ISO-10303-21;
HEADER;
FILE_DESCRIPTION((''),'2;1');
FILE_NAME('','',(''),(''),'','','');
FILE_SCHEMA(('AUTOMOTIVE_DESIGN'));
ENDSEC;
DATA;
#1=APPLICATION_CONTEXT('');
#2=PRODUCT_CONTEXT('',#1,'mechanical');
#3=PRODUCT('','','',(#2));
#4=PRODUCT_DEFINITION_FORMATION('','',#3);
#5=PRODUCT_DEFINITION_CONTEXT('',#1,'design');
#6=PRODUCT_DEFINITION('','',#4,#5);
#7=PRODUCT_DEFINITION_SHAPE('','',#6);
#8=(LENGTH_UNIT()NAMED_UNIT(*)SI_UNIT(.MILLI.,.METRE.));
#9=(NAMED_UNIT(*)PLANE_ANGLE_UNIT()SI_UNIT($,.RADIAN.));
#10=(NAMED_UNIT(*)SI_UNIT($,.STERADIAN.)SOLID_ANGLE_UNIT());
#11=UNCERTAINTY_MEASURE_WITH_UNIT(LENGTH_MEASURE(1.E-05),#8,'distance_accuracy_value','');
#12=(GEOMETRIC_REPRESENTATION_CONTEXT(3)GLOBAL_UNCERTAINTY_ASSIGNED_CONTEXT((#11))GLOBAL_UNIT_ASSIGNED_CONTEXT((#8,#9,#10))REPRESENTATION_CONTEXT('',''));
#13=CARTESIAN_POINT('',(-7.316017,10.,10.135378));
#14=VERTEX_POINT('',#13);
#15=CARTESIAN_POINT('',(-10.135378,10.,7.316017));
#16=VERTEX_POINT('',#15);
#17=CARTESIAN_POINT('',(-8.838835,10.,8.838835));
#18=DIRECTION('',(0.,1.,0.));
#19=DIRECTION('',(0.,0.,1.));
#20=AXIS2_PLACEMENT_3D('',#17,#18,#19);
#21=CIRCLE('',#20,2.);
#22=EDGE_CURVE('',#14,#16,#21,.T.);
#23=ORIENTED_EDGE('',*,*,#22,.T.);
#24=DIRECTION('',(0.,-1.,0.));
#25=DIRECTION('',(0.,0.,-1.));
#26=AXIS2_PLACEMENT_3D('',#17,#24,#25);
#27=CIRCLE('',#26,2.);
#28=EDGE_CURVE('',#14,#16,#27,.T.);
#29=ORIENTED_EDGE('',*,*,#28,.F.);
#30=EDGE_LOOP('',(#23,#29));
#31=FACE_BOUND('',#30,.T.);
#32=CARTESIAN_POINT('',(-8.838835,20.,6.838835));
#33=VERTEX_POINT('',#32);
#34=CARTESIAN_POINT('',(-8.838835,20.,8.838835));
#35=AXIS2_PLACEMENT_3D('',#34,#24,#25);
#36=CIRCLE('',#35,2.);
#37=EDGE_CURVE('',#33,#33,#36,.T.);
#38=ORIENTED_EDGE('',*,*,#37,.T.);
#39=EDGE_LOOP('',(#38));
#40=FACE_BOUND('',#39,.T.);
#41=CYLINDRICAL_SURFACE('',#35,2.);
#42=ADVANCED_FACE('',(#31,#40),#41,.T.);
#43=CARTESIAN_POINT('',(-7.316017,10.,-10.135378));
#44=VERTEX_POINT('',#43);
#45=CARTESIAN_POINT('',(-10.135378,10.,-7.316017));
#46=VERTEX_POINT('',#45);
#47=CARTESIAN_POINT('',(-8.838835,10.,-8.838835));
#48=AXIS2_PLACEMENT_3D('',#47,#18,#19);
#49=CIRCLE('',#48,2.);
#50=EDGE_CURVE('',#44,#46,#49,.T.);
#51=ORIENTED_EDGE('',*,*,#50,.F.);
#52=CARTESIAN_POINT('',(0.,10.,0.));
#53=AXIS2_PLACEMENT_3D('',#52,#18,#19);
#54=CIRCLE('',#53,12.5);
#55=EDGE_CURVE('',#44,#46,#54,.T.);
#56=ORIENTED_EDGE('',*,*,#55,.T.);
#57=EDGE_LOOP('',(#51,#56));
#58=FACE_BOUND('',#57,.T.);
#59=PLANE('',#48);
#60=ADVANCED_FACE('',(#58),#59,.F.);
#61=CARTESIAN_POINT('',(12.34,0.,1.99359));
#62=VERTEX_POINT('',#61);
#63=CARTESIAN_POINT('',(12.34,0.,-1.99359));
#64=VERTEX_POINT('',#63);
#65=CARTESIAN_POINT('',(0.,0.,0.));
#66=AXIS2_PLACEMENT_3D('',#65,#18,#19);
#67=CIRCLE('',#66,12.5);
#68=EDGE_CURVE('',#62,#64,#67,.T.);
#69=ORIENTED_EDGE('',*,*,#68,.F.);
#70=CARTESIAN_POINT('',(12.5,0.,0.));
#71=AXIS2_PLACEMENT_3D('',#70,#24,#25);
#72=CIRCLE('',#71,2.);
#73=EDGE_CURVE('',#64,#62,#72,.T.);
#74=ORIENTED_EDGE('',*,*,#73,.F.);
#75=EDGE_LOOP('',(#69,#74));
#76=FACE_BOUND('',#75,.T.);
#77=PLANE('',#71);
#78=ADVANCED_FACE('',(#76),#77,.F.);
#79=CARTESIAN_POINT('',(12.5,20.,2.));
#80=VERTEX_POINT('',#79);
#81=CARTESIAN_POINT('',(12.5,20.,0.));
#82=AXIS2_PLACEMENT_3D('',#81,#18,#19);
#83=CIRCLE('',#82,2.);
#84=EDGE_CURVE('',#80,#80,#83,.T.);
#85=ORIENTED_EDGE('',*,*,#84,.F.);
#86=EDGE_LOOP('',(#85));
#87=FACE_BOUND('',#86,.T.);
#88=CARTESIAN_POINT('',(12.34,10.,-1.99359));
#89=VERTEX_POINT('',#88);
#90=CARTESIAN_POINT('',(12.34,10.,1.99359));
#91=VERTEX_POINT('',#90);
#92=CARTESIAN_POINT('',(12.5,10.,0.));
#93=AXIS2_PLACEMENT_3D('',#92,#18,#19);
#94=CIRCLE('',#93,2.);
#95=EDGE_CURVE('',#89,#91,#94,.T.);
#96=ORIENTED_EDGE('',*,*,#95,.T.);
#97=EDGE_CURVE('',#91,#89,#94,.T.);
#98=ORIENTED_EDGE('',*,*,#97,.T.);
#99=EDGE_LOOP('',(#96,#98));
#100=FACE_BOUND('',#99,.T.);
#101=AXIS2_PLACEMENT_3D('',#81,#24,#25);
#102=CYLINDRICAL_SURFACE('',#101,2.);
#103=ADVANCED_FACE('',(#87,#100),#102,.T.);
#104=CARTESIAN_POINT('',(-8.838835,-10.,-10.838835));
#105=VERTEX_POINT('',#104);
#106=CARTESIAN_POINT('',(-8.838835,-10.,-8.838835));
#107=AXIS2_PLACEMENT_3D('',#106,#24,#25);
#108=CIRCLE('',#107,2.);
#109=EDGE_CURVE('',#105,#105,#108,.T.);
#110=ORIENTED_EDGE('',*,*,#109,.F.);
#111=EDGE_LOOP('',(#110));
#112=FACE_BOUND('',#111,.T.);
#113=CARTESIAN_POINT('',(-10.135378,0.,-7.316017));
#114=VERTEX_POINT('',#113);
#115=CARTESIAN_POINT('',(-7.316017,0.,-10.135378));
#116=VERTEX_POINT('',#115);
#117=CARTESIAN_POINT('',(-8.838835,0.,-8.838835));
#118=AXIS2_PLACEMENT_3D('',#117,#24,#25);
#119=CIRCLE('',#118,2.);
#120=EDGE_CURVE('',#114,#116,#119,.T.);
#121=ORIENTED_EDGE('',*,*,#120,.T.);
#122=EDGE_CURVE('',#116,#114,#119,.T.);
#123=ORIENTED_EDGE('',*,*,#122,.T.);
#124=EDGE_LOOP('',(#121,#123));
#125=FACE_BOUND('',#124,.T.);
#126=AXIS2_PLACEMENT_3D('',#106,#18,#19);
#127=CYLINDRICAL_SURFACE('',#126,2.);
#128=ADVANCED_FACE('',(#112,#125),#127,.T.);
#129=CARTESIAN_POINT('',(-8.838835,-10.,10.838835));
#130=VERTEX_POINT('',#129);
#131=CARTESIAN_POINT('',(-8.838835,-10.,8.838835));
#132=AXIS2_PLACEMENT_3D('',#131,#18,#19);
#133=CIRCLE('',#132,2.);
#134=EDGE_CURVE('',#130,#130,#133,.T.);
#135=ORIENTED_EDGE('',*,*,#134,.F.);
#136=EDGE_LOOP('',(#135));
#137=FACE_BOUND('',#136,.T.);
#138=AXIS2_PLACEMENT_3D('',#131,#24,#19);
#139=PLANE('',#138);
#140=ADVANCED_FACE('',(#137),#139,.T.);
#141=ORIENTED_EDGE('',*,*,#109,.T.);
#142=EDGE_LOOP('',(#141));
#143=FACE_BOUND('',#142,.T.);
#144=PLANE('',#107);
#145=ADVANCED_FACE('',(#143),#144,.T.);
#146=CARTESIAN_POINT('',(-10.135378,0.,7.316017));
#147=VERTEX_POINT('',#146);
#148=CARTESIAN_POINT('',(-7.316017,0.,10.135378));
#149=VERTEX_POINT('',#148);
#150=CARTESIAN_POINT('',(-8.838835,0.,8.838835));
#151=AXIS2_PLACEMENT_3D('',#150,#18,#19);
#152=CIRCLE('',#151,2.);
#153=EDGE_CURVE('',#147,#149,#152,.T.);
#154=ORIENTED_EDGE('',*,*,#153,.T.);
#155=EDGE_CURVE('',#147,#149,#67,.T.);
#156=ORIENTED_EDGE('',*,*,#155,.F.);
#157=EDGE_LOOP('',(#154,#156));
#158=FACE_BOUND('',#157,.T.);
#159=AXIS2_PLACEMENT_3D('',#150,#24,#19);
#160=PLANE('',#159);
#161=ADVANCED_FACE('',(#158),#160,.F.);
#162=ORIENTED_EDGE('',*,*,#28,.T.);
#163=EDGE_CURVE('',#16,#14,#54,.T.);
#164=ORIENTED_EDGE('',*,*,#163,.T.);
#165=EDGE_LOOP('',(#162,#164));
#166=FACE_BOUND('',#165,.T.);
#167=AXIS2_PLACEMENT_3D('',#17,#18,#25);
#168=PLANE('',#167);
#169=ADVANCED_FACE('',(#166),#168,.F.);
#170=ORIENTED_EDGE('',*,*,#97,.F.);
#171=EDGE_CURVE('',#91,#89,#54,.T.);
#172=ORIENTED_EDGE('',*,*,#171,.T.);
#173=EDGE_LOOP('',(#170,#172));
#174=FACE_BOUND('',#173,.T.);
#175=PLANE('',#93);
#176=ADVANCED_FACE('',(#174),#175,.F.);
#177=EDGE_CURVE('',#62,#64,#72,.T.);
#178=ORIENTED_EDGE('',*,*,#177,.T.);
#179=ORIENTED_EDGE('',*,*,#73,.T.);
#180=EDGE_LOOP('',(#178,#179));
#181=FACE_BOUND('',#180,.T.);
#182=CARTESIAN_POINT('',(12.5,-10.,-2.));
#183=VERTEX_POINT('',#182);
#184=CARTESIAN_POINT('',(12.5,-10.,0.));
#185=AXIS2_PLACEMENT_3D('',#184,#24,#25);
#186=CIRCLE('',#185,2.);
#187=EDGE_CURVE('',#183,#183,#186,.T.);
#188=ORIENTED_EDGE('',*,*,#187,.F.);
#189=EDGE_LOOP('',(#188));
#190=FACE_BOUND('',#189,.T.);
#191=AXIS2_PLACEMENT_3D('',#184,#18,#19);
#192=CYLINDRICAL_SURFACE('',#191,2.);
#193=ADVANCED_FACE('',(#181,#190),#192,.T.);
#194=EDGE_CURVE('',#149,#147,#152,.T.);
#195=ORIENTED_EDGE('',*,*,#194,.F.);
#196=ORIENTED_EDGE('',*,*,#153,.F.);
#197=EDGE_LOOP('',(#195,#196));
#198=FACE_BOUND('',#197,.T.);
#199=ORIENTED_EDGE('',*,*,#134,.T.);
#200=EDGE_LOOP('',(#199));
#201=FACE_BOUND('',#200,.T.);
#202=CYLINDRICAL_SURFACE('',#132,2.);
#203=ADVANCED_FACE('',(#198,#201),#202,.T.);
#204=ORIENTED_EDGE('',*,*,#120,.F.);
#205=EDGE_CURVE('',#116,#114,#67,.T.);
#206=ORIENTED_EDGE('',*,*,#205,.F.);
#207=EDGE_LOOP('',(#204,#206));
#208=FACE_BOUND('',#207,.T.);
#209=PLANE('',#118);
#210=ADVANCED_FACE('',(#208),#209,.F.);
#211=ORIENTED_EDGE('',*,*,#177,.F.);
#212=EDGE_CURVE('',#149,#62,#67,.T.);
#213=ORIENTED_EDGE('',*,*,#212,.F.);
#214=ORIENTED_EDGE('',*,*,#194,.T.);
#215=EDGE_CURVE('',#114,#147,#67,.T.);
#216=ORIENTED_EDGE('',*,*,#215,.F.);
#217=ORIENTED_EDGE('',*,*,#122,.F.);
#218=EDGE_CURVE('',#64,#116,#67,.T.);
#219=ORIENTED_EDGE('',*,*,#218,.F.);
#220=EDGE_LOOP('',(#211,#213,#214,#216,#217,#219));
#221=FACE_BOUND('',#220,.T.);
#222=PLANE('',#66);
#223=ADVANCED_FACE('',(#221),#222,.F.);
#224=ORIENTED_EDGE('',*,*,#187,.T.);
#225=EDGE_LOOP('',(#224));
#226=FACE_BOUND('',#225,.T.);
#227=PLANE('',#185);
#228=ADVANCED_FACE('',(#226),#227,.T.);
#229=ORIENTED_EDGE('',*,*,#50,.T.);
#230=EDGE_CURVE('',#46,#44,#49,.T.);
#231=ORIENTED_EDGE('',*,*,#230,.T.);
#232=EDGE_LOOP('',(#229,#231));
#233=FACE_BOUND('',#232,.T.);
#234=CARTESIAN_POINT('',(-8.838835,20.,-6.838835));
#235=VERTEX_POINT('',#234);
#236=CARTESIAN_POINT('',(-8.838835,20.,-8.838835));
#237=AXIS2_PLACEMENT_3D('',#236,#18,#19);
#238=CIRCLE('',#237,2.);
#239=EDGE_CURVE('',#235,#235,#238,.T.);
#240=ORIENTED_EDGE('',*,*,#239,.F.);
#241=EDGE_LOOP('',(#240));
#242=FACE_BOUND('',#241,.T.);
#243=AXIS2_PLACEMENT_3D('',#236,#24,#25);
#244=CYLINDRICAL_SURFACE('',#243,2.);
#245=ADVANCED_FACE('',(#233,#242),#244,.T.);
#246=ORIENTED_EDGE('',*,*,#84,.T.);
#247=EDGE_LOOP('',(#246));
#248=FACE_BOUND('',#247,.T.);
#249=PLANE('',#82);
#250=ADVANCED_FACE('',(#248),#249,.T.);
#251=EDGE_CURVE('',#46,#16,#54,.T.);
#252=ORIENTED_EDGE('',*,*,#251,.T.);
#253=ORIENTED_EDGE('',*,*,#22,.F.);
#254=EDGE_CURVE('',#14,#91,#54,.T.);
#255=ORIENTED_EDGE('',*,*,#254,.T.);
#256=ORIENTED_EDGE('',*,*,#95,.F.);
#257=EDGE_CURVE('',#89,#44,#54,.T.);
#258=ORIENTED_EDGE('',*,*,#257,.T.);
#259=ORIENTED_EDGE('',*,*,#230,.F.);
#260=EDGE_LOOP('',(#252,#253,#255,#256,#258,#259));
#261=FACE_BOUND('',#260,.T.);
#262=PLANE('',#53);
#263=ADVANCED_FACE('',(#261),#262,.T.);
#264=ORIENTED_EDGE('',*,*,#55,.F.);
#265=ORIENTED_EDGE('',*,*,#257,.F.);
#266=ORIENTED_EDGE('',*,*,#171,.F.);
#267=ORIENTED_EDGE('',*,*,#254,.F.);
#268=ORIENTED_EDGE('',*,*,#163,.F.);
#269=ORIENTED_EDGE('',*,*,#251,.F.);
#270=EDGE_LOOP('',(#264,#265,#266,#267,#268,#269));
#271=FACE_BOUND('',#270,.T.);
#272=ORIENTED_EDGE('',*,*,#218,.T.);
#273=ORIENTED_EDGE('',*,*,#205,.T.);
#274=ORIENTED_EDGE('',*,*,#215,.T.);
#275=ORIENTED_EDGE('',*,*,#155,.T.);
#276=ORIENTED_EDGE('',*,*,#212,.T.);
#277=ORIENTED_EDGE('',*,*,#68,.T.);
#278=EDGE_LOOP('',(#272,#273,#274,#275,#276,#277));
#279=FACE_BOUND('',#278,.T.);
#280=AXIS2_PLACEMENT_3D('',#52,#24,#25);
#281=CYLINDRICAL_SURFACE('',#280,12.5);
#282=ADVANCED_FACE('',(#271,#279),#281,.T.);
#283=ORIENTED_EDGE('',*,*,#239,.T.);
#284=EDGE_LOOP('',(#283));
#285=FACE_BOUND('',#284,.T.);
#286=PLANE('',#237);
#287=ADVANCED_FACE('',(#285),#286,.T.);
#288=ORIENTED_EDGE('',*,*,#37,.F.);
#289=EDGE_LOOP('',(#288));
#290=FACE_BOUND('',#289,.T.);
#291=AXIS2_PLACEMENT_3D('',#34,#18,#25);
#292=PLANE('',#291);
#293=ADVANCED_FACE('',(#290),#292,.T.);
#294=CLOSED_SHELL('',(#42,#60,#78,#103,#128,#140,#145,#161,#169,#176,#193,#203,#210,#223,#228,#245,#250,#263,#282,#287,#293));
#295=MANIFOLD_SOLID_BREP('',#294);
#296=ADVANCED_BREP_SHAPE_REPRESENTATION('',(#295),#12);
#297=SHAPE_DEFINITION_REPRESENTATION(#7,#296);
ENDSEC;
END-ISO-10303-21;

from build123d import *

# Parameters (mm, degrees)
SKETCH7_R           = 12.5
BOSS_EXTRUDE2_DEPTH = 10
SKETCH8_R           = 2
BOSS_EXTRUDE3_DEPTH = 10
SKETCH9_R           = 2
BOSS_EXTRUDE4_DEPTH = 10
BOSS_EXTRUDE5_START = 10
SKETCH12_R          = 2
BOSS_EXTRUDE5_DEPTH = 10
BOSS_EXTRUDE6_START = 10
SKETCH13_R          = 2
BOSS_EXTRUDE6_DEPTH = 10


with BuildPart() as part:
    # Sketch7 → Boss-Extrude2 (new body)
    with BuildSketch(Plane(origin=(0, 0, 0), x_dir=(1, 0, 0), z_dir=(0, 1, 0))):
        with Locations(Location((0, 0, 0), (0, 0, 270))):
            Circle(SKETCH7_R)
    extrude(amount=BOSS_EXTRUDE2_DEPTH)

    # Sketch8 → Boss-Extrude3 (add)
    with BuildSketch(Plane(origin=(0, 10, 0), x_dir=(1, 0, 0), z_dir=(0, 1, 0))):
        with Locations(Location((-8.838834765, 8.838834765, 0), (0, 0, 40.411434264))):
            Circle(SKETCH8_R)
    boss_extrude3 = extrude(amount=BOSS_EXTRUDE3_DEPTH)

    # Mirror1: Boss-Extrude3 across plane
    add(boss_extrude3.mirror(Plane.XY))

    # Sketch9 → Boss-Extrude4 (add)
    with BuildSketch(Plane(origin=(0, 10, 0), x_dir=(1, 0, 0), z_dir=(0, 1, 0))):
        with Locations(Location((12.5, 0, 0), (0, 0, 94.588565736))):
            Circle(SKETCH9_R)
    extrude(amount=BOSS_EXTRUDE4_DEPTH)

    # Sketch12 → Boss-Extrude5 (add)
    with BuildSketch(Plane.XZ.offset(BOSS_EXTRUDE5_START)):
        with Locations(Location((-8.838834765, -8.838834765, 0), (0, 0, 319.588565736))):
            Circle(SKETCH12_R)
    boss_extrude5 = extrude(amount=-BOSS_EXTRUDE5_DEPTH)

    # Mirror3: Boss-Extrude5 across plane
    add(boss_extrude5.mirror(Plane.XY))

    # Sketch13 → Boss-Extrude6 (add)
    with BuildSketch(Plane(origin=(0, 0, 0), x_dir=(-1, 0, 0), z_dir=(0, -1, 0)).offset(BOSS_EXTRUDE6_START)):
        with Locations(Location((-12.5, 0, 0), (0, 0, 85.411434264))):
            Circle(SKETCH13_R)
    extrude(amount=-BOSS_EXTRUDE6_DEPTH)


solid = part.part
